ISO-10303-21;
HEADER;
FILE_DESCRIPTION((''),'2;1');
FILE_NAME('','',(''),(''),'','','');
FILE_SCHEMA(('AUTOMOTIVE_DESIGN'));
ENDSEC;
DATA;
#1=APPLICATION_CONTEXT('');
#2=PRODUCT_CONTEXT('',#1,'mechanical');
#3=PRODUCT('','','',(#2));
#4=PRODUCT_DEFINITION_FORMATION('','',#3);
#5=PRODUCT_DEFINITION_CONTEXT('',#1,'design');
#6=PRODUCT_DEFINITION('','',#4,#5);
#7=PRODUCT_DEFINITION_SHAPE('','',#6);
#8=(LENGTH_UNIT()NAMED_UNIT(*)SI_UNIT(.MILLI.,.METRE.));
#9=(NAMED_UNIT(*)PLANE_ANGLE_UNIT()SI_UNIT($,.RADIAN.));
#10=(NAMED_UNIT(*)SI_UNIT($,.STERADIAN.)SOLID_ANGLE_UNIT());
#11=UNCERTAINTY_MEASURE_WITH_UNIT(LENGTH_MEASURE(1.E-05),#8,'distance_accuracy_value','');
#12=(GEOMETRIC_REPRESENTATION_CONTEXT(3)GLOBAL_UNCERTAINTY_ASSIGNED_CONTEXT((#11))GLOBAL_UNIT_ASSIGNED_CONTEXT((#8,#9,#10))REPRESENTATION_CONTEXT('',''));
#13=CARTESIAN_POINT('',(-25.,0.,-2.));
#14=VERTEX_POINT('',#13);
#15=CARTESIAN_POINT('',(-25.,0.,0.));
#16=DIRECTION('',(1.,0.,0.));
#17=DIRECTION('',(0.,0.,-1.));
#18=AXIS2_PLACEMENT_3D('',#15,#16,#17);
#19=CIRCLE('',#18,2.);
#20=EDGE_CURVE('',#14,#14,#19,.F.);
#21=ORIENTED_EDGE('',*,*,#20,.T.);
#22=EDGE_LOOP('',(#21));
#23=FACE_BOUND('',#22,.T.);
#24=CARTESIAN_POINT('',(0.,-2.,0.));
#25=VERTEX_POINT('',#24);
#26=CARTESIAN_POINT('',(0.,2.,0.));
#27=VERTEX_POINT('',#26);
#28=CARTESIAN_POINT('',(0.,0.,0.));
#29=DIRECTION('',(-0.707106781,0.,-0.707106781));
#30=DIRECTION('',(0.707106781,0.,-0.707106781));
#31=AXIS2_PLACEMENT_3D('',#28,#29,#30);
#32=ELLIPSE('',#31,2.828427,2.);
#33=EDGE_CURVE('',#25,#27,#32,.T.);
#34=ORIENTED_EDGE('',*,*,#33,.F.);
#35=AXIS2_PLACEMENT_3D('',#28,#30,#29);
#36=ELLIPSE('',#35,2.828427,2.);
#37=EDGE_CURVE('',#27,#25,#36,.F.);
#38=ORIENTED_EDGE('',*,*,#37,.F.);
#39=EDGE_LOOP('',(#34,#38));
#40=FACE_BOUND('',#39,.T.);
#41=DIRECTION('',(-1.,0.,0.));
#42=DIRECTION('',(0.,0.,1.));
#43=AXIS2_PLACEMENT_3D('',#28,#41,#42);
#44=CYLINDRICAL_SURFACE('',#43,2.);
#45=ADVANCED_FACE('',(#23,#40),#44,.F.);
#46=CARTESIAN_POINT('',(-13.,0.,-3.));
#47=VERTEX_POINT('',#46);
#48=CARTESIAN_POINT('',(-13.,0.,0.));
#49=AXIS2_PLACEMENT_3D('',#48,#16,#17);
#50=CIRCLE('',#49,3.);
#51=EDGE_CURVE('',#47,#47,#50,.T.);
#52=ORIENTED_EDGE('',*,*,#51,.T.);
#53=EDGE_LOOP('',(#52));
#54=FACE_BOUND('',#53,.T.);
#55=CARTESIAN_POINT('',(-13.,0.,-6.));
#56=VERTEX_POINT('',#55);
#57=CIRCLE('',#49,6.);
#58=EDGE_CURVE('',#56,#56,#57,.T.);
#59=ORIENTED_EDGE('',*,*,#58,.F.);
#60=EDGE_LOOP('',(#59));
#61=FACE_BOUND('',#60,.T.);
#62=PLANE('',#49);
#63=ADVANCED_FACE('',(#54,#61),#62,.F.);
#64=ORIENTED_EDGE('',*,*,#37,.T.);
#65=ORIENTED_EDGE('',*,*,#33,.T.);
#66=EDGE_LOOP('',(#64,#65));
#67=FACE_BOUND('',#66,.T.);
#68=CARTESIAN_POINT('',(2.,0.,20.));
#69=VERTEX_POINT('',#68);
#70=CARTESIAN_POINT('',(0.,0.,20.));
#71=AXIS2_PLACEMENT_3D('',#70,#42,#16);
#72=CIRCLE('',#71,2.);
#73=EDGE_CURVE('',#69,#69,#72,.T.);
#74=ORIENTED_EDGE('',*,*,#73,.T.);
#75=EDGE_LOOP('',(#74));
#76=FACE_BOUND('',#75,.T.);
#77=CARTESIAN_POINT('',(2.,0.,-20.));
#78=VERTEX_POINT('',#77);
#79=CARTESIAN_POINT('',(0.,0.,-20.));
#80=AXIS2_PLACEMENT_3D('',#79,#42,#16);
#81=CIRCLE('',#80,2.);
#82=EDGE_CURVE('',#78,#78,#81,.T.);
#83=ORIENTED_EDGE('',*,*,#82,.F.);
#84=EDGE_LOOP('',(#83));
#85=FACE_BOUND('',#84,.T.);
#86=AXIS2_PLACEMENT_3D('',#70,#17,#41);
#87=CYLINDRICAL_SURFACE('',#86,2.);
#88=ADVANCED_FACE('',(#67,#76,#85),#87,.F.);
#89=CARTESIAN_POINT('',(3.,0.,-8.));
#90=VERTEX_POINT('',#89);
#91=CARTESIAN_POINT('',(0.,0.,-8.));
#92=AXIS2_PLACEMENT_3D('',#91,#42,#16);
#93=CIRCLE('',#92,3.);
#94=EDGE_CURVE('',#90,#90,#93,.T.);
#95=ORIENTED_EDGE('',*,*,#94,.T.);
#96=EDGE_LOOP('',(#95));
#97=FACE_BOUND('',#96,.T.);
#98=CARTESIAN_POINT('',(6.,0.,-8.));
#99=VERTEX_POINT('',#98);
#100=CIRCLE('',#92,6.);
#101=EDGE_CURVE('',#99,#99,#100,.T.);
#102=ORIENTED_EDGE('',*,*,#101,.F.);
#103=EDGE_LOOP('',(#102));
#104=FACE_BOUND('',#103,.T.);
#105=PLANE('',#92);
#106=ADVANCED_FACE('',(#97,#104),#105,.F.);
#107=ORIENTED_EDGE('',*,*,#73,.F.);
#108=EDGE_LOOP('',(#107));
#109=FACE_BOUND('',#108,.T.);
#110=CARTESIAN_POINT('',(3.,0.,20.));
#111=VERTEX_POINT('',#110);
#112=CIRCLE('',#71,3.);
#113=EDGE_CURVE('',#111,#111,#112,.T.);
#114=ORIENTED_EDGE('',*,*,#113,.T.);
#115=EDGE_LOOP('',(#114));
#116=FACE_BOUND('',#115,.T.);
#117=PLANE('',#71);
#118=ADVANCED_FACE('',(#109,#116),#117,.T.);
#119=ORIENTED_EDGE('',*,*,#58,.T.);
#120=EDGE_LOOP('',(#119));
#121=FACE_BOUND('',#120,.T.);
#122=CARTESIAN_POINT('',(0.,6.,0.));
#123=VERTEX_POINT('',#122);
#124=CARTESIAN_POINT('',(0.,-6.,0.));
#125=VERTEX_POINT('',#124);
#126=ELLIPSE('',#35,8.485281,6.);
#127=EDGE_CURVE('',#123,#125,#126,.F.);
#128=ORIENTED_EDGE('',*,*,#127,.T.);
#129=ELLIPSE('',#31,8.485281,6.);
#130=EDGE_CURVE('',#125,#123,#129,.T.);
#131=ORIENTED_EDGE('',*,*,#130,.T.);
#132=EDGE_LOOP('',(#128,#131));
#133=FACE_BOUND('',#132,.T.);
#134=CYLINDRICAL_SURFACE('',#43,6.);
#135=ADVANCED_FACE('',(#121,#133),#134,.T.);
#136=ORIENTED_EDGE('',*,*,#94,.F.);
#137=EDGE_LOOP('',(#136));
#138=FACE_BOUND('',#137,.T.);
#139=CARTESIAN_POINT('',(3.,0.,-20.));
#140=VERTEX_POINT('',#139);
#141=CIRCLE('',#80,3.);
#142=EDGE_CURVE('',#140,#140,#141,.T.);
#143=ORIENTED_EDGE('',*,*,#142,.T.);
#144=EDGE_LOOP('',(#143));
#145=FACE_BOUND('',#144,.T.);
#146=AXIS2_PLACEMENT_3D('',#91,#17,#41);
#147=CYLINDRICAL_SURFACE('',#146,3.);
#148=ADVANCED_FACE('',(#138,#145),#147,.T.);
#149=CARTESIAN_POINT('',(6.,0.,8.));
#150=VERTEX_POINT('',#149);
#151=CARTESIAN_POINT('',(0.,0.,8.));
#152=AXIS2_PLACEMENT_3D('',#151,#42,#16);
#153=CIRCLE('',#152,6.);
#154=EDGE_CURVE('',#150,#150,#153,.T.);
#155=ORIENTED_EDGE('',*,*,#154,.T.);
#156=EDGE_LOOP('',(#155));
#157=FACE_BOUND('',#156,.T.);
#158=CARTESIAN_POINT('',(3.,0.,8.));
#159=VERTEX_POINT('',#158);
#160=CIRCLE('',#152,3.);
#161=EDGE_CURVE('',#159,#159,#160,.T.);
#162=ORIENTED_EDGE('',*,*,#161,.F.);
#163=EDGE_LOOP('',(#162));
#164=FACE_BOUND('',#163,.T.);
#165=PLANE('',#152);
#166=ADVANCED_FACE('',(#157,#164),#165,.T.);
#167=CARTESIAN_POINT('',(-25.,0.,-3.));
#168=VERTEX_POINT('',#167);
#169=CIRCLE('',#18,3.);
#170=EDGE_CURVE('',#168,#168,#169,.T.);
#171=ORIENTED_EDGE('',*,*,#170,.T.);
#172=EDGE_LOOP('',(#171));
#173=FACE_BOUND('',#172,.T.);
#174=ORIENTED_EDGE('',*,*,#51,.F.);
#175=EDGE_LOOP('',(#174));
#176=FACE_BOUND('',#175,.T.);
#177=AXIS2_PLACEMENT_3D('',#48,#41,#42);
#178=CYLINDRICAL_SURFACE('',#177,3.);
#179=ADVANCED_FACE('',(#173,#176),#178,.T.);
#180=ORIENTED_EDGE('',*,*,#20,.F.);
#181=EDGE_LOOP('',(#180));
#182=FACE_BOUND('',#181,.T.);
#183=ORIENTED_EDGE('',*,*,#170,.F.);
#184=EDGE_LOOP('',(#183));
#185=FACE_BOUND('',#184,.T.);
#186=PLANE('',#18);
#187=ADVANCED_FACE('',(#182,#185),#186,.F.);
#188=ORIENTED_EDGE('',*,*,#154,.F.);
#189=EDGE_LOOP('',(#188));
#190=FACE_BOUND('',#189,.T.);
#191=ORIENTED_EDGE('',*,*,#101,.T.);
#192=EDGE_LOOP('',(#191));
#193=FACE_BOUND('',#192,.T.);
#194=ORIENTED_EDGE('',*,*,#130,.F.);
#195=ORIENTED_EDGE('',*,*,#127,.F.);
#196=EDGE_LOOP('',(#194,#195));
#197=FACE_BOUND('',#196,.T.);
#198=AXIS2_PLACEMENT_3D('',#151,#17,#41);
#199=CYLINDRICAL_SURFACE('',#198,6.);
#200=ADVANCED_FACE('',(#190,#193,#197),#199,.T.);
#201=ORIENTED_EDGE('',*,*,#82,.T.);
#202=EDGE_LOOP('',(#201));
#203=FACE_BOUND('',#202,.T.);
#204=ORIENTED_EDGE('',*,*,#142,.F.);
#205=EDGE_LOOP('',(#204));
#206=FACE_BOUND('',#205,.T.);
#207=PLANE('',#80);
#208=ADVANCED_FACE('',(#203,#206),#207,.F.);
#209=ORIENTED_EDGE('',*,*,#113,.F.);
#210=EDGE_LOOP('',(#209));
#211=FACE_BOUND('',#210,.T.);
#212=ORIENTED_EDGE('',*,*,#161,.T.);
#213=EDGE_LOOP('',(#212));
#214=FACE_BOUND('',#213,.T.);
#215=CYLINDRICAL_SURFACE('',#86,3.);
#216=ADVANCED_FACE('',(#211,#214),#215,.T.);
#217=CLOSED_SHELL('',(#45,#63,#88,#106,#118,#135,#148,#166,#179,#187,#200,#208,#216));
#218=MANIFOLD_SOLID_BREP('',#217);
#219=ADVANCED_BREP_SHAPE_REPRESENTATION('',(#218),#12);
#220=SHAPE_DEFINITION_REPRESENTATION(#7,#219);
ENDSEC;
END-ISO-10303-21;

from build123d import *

# Parameters (mm, degrees)
RUN_HUB_START       = -8
SKETCH1_R           = 6
RUN_HUB_DEPTH       = 16
BRANCH_HUB_START    = -13
SKETCH2_R           = 6
BRANCH_HUB_DEPTH    = 13
BARB_FRONT_START    = 8
SKETCH3_R           = 3
BARB_FRONT_DEPTH    = 12
BARB_BACK_START     = -20
SKETCH4_R           = 3
BARB_BACK_DEPTH     = 12
BARB_BRANCH_START   = -25
SKETCH5_R           = 3
BARB_BRANCH_DEPTH   = 12
RUN_BORE_DEPTH      = 33.57299495
RUN_BORE_DEPTH_BACK = 33.57299495
SKETCH6_R           = 2
BRANCH_BORE_START   = -26
SKETCH7_R           = 2
BRANCH_BORE_DEPTH   = 26


with BuildPart() as part:
    # Sketch1 → Run_Hub (new body)
    with BuildSketch(Plane.XY.offset(RUN_HUB_START)):
        Circle(SKETCH1_R)
    extrude(amount=RUN_HUB_DEPTH)

    # Sketch2 → Branch_Hub (add)
    with BuildSketch(Plane(origin=(0, 0, 0), x_dir=(0, 0, -1), z_dir=(1, 0, 0)).offset(BRANCH_HUB_START)):
        with Locations(Location((0, 0, 0), (0, 0, 270))):
            Circle(SKETCH2_R)
    extrude(amount=BRANCH_HUB_DEPTH)

    # Sketch3 → Barb_Front (add)
    with BuildSketch(Plane.XY.offset(BARB_FRONT_START)):
        Circle(SKETCH3_R)
    extrude(amount=BARB_FRONT_DEPTH)

    # Sketch4 → Barb_Back (add)
    with BuildSketch(Plane.XY.offset(BARB_BACK_START)):
        Circle(SKETCH4_R)
    extrude(amount=BARB_BACK_DEPTH)

    # Sketch5 → Barb_Branch (add)
    with BuildSketch(Plane(origin=(0, 0, 0), x_dir=(0, 0, -1), z_dir=(1, 0, 0)).offset(BARB_BRANCH_START)):
        Circle(SKETCH5_R)
    extrude(amount=BARB_BRANCH_DEPTH)

    # Sketch6 → Run_Bore (cut, two sides: drawn at the far end of the back side and taken through both)
    with BuildSketch(Plane.XY.offset(-RUN_BORE_DEPTH_BACK)):
        Circle(SKETCH6_R)
    extrude(amount=RUN_BORE_DEPTH + RUN_BORE_DEPTH_BACK, mode=Mode.SUBTRACT)

    # Sketch7 → Branch_Bore (cut)
    with BuildSketch(Plane(origin=(0, 0, 0), x_dir=(0, 0, -1), z_dir=(1, 0, 0)).offset(BRANCH_BORE_START)):
        with Locations(Location((0, 0, 0), (0, 0, 90))):
            Circle(SKETCH7_R)
    extrude(amount=BRANCH_BORE_DEPTH, mode=Mode.SUBTRACT)


solid = part.part
